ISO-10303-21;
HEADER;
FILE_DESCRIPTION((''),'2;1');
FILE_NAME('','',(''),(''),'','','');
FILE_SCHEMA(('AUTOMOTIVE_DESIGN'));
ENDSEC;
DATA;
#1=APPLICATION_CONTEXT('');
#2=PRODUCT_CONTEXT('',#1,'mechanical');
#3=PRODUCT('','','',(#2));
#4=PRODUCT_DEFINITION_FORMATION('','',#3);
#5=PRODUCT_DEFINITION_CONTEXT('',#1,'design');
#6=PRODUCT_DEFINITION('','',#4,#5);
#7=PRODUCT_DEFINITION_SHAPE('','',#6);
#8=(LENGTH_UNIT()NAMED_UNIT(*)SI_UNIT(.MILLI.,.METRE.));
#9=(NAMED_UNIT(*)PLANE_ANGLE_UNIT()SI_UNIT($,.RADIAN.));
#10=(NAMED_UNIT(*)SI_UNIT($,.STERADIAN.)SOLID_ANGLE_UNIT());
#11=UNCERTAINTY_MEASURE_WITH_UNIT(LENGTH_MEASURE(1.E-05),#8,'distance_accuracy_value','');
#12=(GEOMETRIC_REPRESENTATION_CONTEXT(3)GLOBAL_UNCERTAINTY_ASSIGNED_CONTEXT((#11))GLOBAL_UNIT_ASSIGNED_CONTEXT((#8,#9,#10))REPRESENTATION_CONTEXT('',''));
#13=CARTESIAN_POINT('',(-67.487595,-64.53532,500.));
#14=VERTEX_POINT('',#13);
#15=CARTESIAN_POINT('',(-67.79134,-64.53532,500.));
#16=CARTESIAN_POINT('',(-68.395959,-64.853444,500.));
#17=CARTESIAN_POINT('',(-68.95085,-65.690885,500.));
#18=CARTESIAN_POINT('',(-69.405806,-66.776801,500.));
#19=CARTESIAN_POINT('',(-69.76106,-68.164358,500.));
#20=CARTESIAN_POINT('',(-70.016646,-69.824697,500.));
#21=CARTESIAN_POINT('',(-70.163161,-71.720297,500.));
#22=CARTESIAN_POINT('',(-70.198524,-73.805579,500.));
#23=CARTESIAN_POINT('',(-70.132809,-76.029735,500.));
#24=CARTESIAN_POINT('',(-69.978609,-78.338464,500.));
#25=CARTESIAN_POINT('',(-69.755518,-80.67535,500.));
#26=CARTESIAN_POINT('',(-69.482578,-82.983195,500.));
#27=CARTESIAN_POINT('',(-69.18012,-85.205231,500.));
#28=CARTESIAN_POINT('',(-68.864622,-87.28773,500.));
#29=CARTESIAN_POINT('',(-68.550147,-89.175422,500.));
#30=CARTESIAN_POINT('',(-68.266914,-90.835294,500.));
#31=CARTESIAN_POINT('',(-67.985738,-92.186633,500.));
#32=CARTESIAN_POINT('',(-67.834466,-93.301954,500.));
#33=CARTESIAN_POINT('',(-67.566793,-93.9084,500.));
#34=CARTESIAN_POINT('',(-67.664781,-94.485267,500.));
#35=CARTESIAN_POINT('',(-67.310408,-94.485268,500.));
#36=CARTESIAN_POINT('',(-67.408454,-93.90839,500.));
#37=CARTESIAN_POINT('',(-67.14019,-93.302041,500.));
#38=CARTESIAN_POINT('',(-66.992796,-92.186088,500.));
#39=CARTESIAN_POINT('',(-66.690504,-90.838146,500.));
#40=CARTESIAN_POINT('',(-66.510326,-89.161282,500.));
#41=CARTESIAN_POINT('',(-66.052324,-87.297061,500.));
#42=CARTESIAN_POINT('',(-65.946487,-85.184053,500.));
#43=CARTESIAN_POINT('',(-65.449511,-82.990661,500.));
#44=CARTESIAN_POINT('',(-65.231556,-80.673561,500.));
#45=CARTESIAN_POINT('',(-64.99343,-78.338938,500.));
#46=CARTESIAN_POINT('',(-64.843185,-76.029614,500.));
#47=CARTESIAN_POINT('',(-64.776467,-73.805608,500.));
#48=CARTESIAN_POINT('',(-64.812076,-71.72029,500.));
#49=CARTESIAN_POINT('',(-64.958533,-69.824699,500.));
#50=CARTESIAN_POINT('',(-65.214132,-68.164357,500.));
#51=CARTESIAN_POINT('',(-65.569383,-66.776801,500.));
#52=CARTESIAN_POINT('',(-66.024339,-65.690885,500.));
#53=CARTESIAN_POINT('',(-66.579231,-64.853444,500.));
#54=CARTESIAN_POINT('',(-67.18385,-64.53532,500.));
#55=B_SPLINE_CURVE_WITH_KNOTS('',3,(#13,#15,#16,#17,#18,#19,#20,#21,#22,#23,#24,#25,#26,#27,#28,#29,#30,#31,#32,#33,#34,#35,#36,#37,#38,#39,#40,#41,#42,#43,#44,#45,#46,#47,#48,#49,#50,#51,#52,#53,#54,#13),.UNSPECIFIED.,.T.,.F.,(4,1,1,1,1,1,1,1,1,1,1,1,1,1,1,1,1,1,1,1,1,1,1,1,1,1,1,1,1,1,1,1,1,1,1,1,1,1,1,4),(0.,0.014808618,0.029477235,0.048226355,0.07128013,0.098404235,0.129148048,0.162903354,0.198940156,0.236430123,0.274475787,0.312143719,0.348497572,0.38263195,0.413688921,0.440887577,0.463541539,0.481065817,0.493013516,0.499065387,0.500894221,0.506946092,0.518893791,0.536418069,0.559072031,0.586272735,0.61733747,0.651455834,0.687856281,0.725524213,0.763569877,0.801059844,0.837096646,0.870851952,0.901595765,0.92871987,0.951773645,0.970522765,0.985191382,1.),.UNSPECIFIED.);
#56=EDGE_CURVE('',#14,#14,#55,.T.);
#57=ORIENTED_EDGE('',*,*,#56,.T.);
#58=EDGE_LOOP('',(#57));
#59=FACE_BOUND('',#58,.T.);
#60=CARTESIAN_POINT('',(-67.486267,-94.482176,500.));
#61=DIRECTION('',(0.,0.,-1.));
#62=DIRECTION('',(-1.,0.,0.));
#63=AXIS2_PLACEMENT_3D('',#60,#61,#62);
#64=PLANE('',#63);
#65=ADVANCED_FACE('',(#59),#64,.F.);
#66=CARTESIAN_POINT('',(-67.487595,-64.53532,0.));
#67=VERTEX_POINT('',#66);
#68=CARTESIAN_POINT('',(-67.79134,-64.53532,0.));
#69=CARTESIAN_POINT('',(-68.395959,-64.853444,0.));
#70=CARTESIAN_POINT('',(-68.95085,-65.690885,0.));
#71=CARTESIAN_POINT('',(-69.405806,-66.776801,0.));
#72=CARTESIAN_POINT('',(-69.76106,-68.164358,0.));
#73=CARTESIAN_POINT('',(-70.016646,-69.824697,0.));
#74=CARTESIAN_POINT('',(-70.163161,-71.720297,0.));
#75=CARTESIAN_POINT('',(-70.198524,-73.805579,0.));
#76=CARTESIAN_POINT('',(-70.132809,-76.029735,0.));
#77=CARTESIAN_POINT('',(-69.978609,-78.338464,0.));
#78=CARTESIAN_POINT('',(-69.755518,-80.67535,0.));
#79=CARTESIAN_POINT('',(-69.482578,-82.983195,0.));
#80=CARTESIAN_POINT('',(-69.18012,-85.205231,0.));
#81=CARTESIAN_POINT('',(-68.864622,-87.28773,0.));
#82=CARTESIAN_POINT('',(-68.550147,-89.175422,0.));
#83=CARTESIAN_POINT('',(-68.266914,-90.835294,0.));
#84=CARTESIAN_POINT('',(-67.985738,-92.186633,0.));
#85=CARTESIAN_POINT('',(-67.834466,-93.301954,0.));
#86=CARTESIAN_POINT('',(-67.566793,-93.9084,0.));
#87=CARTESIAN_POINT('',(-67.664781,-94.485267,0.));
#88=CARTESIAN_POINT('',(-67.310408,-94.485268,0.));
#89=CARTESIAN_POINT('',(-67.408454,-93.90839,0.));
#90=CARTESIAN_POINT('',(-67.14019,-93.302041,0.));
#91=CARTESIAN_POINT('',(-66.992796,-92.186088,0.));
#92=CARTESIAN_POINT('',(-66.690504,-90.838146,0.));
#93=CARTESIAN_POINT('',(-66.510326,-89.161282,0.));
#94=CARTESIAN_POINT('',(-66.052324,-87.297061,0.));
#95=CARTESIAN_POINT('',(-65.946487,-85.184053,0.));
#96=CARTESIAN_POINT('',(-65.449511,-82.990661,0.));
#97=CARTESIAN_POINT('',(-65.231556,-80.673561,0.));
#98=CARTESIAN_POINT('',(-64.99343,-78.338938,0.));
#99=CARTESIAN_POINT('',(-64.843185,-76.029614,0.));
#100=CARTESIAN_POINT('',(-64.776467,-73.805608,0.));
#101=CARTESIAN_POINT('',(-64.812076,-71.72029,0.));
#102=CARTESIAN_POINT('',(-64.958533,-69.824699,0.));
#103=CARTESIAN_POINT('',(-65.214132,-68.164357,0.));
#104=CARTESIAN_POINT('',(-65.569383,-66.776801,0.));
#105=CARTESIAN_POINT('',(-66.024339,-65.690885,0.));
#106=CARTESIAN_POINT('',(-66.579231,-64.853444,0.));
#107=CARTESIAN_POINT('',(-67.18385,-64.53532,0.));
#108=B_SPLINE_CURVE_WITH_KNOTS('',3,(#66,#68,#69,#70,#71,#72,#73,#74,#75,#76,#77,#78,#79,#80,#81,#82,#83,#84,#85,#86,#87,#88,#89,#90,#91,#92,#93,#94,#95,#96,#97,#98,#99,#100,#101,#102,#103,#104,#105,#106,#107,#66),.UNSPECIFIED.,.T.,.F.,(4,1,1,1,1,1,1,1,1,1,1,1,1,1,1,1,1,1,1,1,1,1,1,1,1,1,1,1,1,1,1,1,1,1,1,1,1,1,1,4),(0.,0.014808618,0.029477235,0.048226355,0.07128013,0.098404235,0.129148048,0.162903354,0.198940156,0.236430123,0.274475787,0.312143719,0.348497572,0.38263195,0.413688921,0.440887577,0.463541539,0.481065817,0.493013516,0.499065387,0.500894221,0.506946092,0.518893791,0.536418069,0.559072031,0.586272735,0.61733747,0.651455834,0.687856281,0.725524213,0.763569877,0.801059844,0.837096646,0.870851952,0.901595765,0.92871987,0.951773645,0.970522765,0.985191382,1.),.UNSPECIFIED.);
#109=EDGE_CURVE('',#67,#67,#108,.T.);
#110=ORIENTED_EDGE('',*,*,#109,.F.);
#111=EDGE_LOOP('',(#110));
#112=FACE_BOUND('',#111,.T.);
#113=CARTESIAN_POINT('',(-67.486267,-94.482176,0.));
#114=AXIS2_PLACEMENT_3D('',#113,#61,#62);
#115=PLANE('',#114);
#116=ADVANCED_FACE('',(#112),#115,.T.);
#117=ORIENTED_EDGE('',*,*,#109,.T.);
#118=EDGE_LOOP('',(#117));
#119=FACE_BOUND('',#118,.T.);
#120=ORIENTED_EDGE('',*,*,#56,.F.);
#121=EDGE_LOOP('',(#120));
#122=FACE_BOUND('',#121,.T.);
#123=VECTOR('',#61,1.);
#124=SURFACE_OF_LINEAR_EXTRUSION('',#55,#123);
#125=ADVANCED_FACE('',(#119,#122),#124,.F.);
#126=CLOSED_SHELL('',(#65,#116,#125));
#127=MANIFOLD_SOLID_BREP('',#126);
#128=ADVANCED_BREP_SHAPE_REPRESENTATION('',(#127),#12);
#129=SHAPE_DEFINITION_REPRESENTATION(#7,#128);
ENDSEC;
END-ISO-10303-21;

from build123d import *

# Parameters (mm, degrees)
BOSS_EXTRUDE1_DEPTH = 500


with BuildPart() as part:
    # Sketch1 → Boss-Extrude1 (new body)
    with BuildSketch(Plane.XY):
        with BuildLine():
            add(Edge.make_bspline(
                [(-67.487594852, -64.535319993), (-67.791340134, -64.535319992), (-68.395959064, -64.853444247), (-68.950850409, -65.69088519), (-69.405805811, -66.776801089), (-69.761060105, -68.164357657), (-70.016646281, -69.824697283), (-70.163160696, -71.72029666), (-70.198524461, -73.805578712), (-70.132809109, -76.029735468), (-69.978608842, -78.338463893), (-69.755518068, -80.675350139), (-69.482577671, -82.983195427), (-69.180120326, -85.205231207), (-68.864621673, -87.287729841), (-68.550147066, -89.175422065), (-68.266913852, -90.835293927), (-67.985738294, -92.186633061), (-67.834465648, -93.301954082), (-67.566792526, -93.908400036), (-67.664780593, -94.485267067), (-67.310407858, -94.485267732), (-67.408454432, -93.908390352), (-67.140190281, -93.302041198), (-66.992796391, -92.18608821), (-66.690504012, -90.838145873), (-66.510326339, -89.161281891), (-66.052324056, -87.297060826), (-65.946486906, -85.184052689), (-65.449510588, -82.990661168), (-65.231556197, -80.673560861), (-64.993430178, -78.338938244), (-64.843185417, -76.029614298), (-64.77646741, -73.805608496), (-64.812075666, -71.720289635), (-64.958532918, -69.824698864), (-65.214131838, -68.16435732), (-65.569383446, -66.776801156), (-66.024339378, -65.690885178), (-66.579230618, -64.853444249), (-67.18384957, -64.535319993), (-67.487594852, -64.535319993)],
                knots=[0, 0, 0, 0, 0.014808618, 0.029477235, 0.048226355, 0.07128013, 0.098404235, 0.129148048, 0.162903354, 0.198940156, 0.236430123, 0.274475787, 0.312143719, 0.348497572, 0.38263195, 0.413688921, 0.440887577, 0.463541539, 0.481065817, 0.493013516, 0.499065387, 0.500894221, 0.506946092, 0.518893791, 0.536418069, 0.559072031, 0.586272735, 0.61733747, 0.651455834, 0.687856281, 0.725524213, 0.763569877, 0.801059844, 0.837096646, 0.870851952, 0.901595765, 0.92871987, 0.951773645, 0.970522765, 0.985191382, 1, 1, 1, 1], degree=3))
        make_face()
    extrude(amount=BOSS_EXTRUDE1_DEPTH)


solid = part.part
